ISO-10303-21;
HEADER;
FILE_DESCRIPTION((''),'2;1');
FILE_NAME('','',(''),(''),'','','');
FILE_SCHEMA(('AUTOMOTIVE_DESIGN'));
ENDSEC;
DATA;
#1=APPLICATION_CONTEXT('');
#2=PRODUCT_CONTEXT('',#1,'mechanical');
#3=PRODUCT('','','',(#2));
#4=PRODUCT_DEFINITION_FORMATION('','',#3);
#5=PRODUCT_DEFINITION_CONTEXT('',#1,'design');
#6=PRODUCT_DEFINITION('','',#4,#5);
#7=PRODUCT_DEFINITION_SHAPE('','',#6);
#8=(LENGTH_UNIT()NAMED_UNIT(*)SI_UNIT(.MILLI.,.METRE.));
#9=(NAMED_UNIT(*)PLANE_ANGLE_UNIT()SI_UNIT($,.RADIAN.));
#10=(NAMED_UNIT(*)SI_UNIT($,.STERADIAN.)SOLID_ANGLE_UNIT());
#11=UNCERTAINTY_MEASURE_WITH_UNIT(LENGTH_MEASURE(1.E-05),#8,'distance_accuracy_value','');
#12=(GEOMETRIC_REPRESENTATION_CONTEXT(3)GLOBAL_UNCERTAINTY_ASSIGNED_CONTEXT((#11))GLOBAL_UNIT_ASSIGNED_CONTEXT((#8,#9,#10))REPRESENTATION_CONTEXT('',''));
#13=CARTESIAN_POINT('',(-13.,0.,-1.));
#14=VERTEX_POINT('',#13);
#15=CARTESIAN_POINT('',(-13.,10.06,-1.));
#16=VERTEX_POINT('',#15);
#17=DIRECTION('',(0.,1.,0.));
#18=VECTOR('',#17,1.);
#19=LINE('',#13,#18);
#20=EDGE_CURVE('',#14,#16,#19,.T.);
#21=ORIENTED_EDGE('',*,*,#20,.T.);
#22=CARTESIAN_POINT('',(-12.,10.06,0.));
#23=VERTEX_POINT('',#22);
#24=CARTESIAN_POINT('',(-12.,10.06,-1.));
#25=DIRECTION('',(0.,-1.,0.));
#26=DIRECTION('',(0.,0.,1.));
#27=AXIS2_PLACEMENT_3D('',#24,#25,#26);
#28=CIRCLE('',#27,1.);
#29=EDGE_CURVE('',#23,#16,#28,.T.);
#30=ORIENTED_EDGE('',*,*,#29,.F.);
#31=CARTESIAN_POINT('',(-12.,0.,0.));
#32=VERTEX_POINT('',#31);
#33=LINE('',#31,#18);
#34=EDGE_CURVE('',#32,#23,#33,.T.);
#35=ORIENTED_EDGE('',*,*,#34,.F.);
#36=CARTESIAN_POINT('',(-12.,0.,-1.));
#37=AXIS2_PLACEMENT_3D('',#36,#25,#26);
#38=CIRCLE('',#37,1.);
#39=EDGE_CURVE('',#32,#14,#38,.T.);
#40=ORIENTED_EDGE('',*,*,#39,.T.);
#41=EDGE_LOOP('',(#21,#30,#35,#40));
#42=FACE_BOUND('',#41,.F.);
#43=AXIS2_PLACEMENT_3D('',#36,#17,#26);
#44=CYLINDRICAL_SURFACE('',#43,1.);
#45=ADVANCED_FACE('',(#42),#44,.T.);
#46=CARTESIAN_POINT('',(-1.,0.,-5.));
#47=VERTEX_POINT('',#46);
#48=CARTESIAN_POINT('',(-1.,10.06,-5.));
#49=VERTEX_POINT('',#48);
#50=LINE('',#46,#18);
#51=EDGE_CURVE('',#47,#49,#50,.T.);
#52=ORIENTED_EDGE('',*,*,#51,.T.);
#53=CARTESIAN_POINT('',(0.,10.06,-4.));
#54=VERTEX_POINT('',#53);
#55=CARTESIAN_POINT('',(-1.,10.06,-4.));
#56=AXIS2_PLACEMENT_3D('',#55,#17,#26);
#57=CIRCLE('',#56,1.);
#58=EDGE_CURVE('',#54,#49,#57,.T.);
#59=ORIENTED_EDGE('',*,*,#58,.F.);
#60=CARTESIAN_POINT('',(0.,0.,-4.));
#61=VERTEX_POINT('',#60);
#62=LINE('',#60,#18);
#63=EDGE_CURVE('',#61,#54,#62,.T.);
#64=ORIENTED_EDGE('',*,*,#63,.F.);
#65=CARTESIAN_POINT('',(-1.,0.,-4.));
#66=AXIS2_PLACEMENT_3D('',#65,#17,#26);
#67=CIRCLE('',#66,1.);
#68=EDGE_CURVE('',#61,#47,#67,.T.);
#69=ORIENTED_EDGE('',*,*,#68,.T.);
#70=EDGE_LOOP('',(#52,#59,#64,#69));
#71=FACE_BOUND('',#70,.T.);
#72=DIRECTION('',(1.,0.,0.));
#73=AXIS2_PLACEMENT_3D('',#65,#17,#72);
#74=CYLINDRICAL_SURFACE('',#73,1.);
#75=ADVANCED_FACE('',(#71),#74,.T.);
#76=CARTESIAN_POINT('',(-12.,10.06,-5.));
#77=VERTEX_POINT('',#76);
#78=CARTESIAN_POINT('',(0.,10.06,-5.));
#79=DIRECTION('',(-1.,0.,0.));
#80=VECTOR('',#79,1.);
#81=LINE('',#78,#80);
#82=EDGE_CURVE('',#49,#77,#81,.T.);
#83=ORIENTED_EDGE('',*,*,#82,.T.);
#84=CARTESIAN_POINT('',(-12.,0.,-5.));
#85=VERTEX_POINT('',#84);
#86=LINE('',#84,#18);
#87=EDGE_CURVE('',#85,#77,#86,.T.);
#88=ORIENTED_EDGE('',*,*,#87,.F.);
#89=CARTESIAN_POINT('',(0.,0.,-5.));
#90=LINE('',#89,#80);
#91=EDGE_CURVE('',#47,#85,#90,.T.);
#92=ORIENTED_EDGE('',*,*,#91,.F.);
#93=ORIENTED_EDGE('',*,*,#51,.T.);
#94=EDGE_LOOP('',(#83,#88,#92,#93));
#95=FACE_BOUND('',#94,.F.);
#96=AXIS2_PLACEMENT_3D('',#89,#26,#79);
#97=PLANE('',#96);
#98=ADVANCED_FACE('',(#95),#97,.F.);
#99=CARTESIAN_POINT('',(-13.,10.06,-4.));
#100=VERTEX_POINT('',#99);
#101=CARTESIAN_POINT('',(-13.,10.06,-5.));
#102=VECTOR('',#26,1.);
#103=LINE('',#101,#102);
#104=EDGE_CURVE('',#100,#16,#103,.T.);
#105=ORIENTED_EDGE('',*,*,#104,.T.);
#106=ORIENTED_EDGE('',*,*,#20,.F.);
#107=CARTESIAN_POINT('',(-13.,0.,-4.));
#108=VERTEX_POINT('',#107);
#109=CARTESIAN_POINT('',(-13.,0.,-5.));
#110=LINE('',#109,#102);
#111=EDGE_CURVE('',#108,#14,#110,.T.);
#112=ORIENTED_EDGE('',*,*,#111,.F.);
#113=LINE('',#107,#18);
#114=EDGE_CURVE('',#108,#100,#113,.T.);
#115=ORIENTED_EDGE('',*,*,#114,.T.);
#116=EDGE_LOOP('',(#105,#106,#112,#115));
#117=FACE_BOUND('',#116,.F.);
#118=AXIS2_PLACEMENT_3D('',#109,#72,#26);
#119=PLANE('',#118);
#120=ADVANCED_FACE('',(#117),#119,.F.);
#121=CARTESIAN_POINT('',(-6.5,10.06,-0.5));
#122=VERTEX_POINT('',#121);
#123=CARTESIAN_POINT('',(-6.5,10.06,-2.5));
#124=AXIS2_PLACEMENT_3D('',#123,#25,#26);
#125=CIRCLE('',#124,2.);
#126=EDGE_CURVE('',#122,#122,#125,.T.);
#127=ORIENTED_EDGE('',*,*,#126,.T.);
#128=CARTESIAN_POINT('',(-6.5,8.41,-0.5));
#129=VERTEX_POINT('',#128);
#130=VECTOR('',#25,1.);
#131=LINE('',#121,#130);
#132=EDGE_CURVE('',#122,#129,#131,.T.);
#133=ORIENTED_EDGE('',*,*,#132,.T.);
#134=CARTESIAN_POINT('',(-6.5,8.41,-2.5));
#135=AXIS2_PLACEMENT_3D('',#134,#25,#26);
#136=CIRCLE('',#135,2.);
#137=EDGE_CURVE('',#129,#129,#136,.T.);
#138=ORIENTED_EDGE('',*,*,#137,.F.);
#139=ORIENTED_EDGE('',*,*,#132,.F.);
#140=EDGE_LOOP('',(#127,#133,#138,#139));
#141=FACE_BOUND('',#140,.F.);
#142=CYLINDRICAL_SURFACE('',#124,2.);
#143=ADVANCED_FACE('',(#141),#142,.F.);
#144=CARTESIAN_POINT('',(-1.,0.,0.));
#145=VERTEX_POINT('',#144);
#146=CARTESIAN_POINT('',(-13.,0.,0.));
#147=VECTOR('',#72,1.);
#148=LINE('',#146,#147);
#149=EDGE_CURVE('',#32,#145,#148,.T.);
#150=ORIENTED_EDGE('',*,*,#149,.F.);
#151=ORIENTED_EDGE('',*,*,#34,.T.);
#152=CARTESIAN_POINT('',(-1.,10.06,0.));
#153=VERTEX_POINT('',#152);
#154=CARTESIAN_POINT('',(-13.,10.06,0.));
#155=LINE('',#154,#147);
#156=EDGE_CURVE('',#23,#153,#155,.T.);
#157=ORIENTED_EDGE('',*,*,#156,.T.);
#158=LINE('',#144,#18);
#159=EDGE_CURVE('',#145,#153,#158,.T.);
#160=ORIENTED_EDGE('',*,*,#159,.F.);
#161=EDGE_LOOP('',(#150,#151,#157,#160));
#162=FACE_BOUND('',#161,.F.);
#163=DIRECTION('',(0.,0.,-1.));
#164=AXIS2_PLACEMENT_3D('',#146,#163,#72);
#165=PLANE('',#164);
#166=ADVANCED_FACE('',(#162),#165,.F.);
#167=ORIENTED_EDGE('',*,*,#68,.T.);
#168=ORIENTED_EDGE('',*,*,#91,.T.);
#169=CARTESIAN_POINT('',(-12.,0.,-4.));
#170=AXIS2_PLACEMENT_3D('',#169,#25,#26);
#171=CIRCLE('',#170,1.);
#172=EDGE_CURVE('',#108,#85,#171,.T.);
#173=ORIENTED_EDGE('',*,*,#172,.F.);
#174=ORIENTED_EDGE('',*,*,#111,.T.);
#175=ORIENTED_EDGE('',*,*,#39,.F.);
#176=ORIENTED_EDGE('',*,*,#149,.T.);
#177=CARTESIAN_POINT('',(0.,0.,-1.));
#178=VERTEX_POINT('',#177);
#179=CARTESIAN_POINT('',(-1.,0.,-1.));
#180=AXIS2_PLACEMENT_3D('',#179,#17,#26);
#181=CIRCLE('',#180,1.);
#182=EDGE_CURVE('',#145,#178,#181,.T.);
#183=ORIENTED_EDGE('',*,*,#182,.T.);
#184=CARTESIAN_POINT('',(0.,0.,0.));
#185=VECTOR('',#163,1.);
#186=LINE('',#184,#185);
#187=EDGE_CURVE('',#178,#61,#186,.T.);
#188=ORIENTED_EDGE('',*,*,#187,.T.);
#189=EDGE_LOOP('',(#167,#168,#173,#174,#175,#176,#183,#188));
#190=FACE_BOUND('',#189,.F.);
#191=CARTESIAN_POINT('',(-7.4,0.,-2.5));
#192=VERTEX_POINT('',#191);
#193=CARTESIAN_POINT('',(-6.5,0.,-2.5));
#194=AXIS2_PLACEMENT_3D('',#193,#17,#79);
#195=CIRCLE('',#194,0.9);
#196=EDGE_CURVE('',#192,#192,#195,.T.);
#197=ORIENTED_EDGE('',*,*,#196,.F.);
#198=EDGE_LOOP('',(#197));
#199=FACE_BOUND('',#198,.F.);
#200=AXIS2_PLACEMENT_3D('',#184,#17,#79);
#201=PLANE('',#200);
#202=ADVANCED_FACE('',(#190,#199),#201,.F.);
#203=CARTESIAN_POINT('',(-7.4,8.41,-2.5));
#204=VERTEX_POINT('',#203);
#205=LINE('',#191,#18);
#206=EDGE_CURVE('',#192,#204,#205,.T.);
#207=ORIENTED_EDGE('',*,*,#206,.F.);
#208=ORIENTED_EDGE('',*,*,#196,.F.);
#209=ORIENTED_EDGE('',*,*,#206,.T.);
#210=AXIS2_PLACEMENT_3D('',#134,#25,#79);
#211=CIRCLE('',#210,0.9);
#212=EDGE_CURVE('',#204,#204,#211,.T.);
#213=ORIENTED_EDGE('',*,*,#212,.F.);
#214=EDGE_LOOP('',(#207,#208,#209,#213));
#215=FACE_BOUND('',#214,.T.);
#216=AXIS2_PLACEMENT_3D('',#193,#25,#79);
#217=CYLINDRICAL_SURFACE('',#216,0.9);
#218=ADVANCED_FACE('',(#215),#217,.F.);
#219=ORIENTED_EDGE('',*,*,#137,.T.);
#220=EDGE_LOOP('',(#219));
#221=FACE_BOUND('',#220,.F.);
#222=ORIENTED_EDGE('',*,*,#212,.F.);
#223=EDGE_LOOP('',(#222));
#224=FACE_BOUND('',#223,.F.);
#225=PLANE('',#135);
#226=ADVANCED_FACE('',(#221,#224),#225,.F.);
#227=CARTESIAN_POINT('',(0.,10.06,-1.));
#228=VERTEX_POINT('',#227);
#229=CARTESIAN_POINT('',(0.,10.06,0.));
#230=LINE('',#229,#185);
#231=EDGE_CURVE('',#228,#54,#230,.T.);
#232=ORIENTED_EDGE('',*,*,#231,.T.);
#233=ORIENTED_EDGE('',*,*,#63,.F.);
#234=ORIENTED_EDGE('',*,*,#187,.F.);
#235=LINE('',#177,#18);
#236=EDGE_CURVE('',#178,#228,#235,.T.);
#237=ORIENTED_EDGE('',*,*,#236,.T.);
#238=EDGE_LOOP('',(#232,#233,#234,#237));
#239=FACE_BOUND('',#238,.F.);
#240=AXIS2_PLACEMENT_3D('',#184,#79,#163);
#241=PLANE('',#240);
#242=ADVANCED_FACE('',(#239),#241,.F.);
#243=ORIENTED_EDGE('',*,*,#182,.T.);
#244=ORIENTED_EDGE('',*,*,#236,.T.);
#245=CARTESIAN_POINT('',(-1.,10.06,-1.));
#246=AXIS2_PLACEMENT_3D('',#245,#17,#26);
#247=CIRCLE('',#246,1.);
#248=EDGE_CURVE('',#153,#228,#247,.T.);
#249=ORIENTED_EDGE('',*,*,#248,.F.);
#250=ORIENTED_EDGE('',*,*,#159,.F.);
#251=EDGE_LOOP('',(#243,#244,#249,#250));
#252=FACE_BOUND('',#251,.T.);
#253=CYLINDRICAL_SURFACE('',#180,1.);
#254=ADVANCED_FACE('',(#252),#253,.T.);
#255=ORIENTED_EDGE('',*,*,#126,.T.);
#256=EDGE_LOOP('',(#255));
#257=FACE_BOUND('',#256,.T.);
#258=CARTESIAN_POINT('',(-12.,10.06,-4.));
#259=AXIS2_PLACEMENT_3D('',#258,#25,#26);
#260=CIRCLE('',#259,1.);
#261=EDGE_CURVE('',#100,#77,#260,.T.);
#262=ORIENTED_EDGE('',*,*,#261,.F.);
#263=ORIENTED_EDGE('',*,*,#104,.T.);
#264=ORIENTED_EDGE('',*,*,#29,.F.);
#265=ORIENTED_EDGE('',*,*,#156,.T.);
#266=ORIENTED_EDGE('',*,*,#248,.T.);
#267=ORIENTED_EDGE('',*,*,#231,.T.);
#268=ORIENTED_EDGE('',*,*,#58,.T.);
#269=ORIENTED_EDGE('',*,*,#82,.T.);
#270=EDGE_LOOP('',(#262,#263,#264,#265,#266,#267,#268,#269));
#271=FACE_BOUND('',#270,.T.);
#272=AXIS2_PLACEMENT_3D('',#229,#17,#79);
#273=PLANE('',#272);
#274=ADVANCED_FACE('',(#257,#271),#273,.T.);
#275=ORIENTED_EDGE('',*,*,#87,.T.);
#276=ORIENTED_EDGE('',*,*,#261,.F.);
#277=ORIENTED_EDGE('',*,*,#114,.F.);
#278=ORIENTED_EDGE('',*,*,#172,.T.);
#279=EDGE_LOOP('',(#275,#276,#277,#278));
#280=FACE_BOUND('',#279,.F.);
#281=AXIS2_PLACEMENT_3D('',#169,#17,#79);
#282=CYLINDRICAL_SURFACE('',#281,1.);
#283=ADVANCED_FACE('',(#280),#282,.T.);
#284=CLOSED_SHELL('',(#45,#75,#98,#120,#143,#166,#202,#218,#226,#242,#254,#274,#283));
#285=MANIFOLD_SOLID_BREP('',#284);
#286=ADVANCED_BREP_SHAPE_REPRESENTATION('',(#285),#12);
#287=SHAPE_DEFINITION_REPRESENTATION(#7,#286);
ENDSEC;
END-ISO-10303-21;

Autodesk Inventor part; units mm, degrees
ref_plane "YZ Plane" through (0, 0, 0) normal (1, 0, 0) x (0, 1, 0)
ref_plane "XZ Plane" through (0, 0, 0) normal (0, 1, 0) x (-1, 0, 0)
ref_plane "XY Plane" through (0, 0, 0) normal (0, 0, 1) x (1, 0, 0)
sketch "Boceto1" plane through (0, 0, 0) normal (0, 1, 0) x (-1, 0, 0)
  line L0 (0, 0) -> (0, -5)
  line L1 (0, -5) -> (13, -5)
  line L2 (13, -5) -> (13, 0)
  line L3 (13, 0) -> (0, 0)
  circle A0 centre (6.5, -2.5) radius 0.9
  dimension "d0" = 5
  dimension "d1" = 13
  dimension "d2" = 1.8
extrude "Extrusión1" add sketch "Boceto1" along normal blind 10.06
sketch "Boceto2" plane through (0, 10.06, 0) normal (0, 1, 0) x (1, 0, 0)
  circle A0 centre (-6.5, 2.5) radius 0.9 projected
  point P0 (0, 0)
hole "Agujero1" at (-6.5, 10.06, -2.5) direction (0, -1, 0) diameter 4 depth 1.65
fillet "Empalme1" radius 1 4 edges at (0, 5.03, 0) (0, 5.03, -5) (-13, 5.03, 0) (-13, 5.03, -5)
properties part number "Soporte placa A1 - A2"
